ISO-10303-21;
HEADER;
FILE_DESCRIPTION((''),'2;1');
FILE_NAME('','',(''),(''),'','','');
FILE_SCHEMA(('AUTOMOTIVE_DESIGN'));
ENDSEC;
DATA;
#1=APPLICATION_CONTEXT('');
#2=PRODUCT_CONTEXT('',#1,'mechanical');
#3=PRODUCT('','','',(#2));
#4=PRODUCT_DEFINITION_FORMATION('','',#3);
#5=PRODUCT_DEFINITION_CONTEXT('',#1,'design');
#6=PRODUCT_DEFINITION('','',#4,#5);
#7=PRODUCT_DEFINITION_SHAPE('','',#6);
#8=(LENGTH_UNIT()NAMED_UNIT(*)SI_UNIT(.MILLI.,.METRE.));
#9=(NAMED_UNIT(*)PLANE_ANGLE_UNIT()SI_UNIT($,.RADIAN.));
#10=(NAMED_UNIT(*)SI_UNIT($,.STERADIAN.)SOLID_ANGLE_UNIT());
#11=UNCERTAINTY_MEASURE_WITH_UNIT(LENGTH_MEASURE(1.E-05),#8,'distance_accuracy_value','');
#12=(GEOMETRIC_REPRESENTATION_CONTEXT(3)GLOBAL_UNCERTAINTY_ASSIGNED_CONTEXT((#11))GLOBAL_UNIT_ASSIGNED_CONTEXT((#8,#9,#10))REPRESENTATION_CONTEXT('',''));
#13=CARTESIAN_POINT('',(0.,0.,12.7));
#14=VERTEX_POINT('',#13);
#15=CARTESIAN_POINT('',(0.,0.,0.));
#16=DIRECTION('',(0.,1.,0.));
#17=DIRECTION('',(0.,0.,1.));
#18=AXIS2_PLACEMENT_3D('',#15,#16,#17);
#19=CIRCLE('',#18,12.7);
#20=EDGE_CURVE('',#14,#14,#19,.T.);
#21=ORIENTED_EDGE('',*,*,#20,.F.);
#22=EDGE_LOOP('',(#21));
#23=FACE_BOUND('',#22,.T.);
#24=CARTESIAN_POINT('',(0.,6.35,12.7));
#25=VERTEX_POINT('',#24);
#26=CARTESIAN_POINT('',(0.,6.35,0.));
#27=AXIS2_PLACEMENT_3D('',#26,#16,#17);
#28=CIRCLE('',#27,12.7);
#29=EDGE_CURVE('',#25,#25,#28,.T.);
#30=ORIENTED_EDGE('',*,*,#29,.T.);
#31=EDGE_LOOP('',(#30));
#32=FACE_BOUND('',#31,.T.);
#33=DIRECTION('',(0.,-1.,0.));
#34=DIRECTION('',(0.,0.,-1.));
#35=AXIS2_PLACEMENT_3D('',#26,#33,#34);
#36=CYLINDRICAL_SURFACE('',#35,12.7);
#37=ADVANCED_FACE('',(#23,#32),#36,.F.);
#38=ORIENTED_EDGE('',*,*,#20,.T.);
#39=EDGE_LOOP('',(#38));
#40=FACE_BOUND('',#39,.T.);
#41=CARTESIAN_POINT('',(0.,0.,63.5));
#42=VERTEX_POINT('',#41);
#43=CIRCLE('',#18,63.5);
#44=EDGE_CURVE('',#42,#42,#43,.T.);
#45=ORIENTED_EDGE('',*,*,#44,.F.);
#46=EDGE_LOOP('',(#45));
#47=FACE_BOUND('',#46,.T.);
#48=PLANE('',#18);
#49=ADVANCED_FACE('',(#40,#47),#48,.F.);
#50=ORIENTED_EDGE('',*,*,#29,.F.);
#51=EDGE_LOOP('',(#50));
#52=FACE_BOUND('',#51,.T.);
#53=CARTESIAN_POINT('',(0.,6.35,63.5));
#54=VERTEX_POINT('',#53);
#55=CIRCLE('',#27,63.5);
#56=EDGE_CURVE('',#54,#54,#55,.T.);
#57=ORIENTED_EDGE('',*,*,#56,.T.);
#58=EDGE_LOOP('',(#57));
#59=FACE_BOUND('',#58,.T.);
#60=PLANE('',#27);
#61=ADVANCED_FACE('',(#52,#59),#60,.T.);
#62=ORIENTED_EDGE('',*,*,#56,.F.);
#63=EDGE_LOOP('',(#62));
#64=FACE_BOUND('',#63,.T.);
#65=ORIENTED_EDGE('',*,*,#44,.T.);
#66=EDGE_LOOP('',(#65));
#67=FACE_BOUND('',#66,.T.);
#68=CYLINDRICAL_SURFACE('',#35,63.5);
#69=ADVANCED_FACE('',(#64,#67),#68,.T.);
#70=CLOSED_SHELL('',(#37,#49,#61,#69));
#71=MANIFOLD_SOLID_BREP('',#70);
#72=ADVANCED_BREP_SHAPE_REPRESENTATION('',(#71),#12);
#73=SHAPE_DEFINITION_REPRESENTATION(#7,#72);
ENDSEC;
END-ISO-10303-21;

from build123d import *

# Parameters (mm, degrees)
SKETCH1_R           = 63.5
SKETCH1_R_2         = 12.7
BOSS_EXTRUDE1_DEPTH = 6.35


with BuildPart() as part:
    # Sketch1 → Boss-Extrude1 (new body)
    with BuildSketch(Plane(origin=(0, 0, 0), x_dir=(1, 0, 0), z_dir=(0, 1, 0))):
        Circle(SKETCH1_R)
        Circle(SKETCH1_R_2, mode=Mode.SUBTRACT)
    extrude(amount=BOSS_EXTRUDE1_DEPTH)


solid = part.part
